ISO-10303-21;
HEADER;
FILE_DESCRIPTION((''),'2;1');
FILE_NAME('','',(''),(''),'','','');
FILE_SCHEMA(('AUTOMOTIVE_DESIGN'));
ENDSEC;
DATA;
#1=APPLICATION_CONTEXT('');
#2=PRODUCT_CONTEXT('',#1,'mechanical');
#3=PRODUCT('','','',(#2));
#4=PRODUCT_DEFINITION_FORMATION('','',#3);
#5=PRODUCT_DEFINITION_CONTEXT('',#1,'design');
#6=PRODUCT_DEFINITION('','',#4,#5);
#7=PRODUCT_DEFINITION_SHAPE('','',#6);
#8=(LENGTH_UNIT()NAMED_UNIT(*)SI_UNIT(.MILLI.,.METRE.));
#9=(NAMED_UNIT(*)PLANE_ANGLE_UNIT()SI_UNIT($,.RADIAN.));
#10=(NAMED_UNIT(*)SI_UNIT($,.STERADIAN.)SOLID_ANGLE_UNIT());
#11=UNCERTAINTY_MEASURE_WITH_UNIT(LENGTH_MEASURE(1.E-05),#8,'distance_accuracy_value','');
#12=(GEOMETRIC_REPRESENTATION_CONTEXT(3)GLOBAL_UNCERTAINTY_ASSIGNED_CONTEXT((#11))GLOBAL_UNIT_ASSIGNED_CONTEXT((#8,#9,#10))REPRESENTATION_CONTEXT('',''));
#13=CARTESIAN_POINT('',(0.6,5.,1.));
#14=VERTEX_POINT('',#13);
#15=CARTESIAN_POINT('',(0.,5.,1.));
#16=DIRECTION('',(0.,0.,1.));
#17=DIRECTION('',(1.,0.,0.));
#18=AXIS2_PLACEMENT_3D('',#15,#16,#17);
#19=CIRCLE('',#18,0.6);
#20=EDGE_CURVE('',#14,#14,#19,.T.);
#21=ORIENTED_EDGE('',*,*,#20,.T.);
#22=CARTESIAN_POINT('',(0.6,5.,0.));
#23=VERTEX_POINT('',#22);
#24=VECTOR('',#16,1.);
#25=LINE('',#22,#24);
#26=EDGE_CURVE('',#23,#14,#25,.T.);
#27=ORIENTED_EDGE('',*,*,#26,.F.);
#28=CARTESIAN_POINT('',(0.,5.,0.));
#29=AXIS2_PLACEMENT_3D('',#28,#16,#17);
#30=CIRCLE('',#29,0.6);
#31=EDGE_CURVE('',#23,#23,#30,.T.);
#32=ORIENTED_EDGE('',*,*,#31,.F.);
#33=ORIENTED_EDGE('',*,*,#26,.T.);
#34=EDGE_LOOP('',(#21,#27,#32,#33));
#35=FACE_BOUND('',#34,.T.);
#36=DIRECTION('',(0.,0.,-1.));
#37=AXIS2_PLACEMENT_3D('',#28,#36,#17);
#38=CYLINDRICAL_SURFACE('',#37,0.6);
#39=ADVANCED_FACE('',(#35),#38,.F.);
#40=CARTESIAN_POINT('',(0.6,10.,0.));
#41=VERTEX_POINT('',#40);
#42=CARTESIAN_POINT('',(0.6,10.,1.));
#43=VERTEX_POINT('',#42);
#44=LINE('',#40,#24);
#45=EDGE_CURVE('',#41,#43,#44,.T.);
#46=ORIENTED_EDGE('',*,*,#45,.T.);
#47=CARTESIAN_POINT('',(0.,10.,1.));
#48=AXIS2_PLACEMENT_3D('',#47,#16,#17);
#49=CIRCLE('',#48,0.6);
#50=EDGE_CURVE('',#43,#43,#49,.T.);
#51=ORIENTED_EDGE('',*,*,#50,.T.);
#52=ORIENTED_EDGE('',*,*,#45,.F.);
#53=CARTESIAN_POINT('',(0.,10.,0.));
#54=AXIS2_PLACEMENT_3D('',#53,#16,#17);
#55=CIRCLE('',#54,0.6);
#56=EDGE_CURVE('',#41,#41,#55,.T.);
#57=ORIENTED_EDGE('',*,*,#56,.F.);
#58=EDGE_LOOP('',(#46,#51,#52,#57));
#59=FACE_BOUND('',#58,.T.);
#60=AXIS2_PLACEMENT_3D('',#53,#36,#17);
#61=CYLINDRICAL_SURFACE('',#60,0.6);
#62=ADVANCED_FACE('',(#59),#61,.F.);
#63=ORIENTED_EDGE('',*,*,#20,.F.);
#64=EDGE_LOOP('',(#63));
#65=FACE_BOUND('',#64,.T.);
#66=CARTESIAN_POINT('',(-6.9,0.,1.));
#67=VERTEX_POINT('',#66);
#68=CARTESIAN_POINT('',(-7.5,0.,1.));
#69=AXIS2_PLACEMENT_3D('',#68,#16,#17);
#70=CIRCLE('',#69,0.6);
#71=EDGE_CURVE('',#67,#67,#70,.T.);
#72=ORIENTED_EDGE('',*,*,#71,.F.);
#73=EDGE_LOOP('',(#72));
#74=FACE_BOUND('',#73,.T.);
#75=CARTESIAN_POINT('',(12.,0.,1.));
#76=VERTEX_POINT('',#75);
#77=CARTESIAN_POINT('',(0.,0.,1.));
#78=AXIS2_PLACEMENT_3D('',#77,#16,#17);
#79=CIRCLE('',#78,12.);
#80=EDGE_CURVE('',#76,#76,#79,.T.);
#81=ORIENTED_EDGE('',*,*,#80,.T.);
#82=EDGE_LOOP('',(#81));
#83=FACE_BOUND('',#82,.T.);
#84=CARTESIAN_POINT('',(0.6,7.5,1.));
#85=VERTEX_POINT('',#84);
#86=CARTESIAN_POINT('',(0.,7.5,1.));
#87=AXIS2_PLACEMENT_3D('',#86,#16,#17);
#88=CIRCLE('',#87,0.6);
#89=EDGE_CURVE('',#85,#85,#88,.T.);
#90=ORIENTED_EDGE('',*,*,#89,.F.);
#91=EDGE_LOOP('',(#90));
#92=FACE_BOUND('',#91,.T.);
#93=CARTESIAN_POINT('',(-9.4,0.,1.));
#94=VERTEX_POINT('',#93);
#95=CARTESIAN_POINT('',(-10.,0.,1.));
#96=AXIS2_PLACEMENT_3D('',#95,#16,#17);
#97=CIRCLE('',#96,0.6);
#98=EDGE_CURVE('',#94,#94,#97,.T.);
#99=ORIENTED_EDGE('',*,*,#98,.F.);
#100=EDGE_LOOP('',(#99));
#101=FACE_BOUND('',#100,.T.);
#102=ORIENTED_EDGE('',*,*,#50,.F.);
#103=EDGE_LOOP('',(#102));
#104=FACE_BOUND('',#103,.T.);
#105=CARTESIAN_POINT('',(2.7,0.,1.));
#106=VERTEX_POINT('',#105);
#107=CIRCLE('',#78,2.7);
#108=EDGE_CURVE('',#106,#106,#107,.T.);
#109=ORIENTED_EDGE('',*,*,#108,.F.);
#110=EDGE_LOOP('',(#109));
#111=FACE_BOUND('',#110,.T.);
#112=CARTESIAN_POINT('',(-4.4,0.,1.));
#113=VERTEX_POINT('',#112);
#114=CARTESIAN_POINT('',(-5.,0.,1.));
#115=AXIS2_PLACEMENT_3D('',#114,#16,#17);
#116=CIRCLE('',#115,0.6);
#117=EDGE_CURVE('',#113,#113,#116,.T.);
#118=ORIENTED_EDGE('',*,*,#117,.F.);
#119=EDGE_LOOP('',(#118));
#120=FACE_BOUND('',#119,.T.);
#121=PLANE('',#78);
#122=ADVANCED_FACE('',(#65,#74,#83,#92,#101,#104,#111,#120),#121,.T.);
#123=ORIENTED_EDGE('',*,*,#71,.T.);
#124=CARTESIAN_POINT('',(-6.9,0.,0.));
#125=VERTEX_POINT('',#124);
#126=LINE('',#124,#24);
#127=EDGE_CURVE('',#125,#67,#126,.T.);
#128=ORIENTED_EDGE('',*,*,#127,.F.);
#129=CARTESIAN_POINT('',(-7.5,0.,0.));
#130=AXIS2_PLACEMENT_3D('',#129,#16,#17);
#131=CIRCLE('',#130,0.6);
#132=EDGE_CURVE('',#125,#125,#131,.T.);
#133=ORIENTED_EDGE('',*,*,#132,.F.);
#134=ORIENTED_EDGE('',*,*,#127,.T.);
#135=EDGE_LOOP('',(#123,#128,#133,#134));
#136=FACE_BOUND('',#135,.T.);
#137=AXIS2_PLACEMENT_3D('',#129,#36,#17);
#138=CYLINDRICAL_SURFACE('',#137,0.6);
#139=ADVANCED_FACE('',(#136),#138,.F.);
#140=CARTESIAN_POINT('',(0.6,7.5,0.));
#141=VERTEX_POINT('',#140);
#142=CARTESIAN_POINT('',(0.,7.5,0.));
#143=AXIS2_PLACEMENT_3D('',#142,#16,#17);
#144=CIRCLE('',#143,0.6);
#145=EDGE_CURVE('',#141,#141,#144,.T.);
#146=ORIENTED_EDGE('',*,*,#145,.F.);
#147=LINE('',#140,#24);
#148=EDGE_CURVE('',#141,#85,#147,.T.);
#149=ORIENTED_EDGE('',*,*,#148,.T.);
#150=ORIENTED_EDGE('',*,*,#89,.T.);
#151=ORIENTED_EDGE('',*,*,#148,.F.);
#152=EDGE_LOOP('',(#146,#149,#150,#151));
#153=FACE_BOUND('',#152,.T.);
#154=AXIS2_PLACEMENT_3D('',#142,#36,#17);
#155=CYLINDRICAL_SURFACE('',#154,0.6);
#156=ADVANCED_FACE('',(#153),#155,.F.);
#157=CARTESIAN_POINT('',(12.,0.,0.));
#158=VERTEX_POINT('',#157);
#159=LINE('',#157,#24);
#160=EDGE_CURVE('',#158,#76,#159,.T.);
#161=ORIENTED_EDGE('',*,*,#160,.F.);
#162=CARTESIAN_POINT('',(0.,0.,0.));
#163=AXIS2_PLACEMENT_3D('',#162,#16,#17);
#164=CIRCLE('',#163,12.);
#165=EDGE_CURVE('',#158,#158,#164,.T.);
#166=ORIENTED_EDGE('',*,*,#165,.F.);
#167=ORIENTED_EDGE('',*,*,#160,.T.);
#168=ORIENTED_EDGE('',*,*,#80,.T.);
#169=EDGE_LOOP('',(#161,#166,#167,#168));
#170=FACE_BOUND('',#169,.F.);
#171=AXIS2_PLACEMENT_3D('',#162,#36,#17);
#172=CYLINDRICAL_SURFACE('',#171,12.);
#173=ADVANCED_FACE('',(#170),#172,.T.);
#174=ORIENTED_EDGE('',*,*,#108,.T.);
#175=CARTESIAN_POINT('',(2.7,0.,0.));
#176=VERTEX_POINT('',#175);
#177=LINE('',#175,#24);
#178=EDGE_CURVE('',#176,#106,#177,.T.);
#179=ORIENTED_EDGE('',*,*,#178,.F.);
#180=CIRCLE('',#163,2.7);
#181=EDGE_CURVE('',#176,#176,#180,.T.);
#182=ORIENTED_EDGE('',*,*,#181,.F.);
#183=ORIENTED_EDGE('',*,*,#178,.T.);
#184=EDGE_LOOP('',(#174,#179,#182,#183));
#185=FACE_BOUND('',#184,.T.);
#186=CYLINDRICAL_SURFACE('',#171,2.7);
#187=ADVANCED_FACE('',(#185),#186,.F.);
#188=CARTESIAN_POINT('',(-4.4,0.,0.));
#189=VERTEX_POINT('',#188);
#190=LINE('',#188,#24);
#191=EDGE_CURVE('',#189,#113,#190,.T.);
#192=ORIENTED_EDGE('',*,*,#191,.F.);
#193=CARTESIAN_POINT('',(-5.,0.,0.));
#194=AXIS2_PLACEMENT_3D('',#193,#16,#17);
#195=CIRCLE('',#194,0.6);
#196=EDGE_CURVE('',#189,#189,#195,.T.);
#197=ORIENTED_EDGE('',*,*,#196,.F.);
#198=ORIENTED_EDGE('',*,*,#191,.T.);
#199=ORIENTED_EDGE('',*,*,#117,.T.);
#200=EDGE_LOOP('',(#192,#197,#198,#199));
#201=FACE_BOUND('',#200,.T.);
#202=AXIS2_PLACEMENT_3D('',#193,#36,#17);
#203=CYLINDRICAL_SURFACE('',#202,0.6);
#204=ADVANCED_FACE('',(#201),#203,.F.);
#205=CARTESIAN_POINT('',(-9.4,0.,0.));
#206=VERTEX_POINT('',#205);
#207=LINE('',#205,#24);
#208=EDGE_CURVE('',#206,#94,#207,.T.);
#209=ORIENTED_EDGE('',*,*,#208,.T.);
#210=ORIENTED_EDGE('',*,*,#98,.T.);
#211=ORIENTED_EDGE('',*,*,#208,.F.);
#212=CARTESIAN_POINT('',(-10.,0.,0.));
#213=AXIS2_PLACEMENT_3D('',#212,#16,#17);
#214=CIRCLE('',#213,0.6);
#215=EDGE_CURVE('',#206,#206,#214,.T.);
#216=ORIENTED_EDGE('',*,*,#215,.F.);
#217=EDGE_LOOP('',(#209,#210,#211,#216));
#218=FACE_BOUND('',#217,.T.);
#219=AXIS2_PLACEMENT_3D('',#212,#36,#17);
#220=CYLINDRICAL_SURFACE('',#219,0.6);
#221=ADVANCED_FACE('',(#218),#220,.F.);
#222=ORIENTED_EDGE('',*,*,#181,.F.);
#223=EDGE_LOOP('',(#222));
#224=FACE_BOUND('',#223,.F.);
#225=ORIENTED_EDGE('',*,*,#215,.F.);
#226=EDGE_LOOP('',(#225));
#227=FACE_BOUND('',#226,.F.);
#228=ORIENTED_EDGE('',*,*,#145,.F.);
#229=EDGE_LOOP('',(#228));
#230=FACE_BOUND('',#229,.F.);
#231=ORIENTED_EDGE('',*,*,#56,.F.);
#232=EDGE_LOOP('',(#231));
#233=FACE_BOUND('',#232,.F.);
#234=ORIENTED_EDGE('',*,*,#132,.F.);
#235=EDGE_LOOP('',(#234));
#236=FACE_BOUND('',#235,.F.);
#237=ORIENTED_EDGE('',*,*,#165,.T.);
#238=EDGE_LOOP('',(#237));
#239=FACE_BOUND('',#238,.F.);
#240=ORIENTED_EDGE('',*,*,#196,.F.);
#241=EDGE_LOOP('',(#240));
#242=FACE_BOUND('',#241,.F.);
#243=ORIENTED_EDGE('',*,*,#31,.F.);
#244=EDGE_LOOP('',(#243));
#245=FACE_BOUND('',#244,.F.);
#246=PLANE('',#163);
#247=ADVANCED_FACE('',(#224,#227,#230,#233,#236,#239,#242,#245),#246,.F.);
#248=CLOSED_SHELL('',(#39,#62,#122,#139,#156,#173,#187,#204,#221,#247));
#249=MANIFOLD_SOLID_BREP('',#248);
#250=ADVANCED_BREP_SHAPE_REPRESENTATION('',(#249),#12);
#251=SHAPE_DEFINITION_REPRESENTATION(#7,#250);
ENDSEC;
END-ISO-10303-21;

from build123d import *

# Parameters (mm, degrees)
F0_R     = 12
F0_R_2   = 0.6
F0_R_3   = 2.7
F1_DEPTH = 1


with BuildPart() as f1:
    # F0 (on Top) → F1 (new body)
    with BuildSketch(Plane.XY):
        Circle(F0_R)
        with Locations((-10, 0)):
            Circle(F0_R_2, mode=Mode.SUBTRACT)
        with Locations((-7.5, 0)):
            Circle(F0_R_2, mode=Mode.SUBTRACT)
        with Locations((-5, 0)):
            Circle(F0_R_2, mode=Mode.SUBTRACT)
        Circle(F0_R_3, mode=Mode.SUBTRACT)
        with Locations((0, 5)):
            Circle(F0_R_2, mode=Mode.SUBTRACT)
        with Locations((0, 7.5)):
            Circle(F0_R_2, mode=Mode.SUBTRACT)
        with Locations((0, 10)):
            Circle(F0_R_2, mode=Mode.SUBTRACT)
    extrude(amount=F1_DEPTH)


solid = f1.part
